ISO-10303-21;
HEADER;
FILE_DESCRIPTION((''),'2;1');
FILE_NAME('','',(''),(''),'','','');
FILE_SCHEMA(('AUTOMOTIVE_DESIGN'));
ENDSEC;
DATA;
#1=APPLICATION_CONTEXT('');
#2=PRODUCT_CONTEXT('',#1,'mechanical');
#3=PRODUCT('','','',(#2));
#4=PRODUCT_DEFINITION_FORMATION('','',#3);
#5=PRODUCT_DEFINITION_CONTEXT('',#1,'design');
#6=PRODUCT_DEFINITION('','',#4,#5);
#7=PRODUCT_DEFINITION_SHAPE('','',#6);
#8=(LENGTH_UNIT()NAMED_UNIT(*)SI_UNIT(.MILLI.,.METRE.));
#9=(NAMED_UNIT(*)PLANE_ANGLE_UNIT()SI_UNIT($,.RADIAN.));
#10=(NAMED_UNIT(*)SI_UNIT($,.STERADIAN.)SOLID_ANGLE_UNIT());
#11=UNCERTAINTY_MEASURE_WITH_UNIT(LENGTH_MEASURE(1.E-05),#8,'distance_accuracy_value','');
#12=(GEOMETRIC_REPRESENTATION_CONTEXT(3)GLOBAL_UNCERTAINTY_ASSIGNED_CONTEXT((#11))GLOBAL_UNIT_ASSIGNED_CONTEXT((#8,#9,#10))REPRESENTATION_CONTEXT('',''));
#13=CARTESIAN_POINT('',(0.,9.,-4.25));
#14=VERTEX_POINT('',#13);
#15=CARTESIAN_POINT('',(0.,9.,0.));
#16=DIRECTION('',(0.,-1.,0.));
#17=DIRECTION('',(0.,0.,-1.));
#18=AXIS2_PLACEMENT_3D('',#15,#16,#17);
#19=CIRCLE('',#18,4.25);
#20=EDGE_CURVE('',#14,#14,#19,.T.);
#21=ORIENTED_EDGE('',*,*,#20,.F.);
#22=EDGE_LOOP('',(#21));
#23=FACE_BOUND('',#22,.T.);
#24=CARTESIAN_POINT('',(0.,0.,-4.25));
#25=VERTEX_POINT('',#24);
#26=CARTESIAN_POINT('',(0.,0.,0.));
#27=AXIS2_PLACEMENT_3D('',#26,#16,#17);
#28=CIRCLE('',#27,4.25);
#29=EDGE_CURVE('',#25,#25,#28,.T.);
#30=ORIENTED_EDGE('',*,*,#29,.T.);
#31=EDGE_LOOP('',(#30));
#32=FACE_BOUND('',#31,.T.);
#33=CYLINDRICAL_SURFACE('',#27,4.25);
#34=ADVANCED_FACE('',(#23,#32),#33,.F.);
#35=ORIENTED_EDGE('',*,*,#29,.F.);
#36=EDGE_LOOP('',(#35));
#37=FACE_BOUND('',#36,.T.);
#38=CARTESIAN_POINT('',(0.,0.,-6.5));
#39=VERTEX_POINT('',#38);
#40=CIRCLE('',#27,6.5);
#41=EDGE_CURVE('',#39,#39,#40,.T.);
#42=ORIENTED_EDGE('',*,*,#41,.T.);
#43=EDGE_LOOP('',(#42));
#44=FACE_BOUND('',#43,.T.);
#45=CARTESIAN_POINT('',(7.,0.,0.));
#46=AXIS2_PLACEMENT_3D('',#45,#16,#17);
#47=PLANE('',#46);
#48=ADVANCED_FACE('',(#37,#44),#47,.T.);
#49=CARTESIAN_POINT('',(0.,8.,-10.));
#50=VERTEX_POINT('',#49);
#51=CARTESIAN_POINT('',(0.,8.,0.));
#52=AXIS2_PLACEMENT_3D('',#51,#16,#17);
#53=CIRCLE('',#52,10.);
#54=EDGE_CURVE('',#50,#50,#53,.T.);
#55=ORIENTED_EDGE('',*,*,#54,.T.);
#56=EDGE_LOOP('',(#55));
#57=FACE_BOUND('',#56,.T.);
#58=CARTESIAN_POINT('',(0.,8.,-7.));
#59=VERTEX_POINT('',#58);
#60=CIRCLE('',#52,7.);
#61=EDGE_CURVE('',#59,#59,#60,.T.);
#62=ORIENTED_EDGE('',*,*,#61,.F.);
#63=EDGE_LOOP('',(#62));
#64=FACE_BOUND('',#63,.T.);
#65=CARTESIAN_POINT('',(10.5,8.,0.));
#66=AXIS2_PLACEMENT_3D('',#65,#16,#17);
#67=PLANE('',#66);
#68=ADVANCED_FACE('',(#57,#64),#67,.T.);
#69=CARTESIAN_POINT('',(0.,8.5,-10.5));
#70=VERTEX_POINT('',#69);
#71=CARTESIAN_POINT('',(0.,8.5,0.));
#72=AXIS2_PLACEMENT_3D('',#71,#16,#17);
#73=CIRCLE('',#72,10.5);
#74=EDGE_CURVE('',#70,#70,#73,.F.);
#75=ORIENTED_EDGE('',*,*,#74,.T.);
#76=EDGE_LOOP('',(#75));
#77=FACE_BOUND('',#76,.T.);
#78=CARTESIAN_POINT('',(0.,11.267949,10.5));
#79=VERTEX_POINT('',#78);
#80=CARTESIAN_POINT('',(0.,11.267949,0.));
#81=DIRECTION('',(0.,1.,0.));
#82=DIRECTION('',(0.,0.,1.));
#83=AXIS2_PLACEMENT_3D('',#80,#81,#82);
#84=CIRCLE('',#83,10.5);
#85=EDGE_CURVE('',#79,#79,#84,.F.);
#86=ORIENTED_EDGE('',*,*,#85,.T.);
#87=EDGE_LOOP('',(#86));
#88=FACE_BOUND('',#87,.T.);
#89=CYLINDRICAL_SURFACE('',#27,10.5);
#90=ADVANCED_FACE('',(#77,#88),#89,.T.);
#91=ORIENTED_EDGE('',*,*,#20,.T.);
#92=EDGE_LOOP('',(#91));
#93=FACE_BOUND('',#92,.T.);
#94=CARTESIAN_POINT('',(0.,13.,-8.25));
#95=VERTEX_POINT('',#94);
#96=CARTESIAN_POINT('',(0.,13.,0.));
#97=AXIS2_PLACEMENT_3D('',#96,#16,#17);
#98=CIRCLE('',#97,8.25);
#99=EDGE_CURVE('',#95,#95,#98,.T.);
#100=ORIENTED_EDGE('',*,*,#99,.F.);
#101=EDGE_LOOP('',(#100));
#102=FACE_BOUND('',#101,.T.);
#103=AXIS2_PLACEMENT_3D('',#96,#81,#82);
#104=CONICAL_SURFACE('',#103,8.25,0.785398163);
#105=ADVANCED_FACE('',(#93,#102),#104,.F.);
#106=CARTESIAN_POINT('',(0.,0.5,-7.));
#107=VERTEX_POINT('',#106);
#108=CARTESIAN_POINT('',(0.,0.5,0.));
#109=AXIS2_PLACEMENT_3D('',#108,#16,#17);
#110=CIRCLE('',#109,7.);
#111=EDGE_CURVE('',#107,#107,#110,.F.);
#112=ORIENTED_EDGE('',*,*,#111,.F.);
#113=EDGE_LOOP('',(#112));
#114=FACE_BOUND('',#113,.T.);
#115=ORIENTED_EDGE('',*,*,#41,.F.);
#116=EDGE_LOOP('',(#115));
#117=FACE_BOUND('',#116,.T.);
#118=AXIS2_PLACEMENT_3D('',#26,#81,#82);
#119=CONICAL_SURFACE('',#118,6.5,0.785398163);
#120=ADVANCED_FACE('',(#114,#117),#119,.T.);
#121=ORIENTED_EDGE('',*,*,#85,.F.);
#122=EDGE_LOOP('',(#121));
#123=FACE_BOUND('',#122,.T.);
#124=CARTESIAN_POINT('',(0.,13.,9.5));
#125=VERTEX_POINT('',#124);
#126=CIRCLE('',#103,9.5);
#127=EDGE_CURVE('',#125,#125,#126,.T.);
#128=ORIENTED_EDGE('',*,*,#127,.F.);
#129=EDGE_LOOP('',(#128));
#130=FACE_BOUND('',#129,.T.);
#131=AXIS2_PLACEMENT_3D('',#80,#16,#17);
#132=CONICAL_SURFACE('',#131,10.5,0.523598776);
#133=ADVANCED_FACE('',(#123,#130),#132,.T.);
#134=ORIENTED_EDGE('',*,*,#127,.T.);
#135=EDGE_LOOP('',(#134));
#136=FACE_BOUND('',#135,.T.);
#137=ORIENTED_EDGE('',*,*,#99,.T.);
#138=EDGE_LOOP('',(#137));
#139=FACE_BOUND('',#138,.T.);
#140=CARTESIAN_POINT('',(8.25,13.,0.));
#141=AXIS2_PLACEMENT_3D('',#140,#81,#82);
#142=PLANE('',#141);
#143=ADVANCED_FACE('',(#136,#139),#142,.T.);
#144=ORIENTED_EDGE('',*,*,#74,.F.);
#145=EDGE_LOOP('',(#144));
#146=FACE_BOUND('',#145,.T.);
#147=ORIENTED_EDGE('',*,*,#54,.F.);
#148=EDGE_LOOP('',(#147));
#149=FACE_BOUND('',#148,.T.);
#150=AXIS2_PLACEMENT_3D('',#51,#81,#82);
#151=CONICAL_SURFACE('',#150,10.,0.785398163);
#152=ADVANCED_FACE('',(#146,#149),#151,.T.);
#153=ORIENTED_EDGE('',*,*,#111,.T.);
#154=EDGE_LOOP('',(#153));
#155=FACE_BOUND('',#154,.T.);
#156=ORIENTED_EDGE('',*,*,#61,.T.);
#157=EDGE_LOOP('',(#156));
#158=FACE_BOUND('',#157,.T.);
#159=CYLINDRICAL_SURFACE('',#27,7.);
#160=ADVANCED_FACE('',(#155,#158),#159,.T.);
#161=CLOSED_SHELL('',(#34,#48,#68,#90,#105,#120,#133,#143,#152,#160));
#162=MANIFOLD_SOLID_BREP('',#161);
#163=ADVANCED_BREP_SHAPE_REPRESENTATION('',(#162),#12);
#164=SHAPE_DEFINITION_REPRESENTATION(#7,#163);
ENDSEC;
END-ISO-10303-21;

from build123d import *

# Parameters (mm, degrees)
CHAMFER1_SIZE  = 1
CHAMFER1_SIZE2 = 1.732050808
CHAMFER2_SIZE  = 0.5


with BuildPart() as part:
    # Sketch1 → Revolve1 (revolve)
    with BuildSketch(Plane.XY, mode=Mode.PRIVATE) as revolve1_sk:
        Polygon((4.25, 0), (4.25, 9), (8.25, 13), (10.5, 13), (10.5, 8), (7, 8), (7, 0), align=None)
    revolve(revolve1_sk.sketch.rotate(Axis((0, 0, 0), (0, 1, 0)), 90), axis=Axis((0, 0, 0), (0, 1, 0)))

    # Chamfer1
    chamfer1_edges = [part.edges().sort_by_distance(p)[0] for p in [
        (0, 13, 10.5),
    ]]
    chamfer1_side = [part.faces().sort_by_distance(p)[0] for p in [
        (0, 13, 8.546984848),
    ]]
    chamfer(chamfer1_edges, length=CHAMFER1_SIZE, length2=CHAMFER1_SIZE2, reference=chamfer1_side[0])

    # Chamfer2
    chamfer2_edges = [part.edges().sort_by_distance(p)[0] for p in [
        (0, 0, 7),
        (0, 8, 10.5),
    ]]
    chamfer(chamfer2_edges, length=CHAMFER2_SIZE)


solid = part.part
